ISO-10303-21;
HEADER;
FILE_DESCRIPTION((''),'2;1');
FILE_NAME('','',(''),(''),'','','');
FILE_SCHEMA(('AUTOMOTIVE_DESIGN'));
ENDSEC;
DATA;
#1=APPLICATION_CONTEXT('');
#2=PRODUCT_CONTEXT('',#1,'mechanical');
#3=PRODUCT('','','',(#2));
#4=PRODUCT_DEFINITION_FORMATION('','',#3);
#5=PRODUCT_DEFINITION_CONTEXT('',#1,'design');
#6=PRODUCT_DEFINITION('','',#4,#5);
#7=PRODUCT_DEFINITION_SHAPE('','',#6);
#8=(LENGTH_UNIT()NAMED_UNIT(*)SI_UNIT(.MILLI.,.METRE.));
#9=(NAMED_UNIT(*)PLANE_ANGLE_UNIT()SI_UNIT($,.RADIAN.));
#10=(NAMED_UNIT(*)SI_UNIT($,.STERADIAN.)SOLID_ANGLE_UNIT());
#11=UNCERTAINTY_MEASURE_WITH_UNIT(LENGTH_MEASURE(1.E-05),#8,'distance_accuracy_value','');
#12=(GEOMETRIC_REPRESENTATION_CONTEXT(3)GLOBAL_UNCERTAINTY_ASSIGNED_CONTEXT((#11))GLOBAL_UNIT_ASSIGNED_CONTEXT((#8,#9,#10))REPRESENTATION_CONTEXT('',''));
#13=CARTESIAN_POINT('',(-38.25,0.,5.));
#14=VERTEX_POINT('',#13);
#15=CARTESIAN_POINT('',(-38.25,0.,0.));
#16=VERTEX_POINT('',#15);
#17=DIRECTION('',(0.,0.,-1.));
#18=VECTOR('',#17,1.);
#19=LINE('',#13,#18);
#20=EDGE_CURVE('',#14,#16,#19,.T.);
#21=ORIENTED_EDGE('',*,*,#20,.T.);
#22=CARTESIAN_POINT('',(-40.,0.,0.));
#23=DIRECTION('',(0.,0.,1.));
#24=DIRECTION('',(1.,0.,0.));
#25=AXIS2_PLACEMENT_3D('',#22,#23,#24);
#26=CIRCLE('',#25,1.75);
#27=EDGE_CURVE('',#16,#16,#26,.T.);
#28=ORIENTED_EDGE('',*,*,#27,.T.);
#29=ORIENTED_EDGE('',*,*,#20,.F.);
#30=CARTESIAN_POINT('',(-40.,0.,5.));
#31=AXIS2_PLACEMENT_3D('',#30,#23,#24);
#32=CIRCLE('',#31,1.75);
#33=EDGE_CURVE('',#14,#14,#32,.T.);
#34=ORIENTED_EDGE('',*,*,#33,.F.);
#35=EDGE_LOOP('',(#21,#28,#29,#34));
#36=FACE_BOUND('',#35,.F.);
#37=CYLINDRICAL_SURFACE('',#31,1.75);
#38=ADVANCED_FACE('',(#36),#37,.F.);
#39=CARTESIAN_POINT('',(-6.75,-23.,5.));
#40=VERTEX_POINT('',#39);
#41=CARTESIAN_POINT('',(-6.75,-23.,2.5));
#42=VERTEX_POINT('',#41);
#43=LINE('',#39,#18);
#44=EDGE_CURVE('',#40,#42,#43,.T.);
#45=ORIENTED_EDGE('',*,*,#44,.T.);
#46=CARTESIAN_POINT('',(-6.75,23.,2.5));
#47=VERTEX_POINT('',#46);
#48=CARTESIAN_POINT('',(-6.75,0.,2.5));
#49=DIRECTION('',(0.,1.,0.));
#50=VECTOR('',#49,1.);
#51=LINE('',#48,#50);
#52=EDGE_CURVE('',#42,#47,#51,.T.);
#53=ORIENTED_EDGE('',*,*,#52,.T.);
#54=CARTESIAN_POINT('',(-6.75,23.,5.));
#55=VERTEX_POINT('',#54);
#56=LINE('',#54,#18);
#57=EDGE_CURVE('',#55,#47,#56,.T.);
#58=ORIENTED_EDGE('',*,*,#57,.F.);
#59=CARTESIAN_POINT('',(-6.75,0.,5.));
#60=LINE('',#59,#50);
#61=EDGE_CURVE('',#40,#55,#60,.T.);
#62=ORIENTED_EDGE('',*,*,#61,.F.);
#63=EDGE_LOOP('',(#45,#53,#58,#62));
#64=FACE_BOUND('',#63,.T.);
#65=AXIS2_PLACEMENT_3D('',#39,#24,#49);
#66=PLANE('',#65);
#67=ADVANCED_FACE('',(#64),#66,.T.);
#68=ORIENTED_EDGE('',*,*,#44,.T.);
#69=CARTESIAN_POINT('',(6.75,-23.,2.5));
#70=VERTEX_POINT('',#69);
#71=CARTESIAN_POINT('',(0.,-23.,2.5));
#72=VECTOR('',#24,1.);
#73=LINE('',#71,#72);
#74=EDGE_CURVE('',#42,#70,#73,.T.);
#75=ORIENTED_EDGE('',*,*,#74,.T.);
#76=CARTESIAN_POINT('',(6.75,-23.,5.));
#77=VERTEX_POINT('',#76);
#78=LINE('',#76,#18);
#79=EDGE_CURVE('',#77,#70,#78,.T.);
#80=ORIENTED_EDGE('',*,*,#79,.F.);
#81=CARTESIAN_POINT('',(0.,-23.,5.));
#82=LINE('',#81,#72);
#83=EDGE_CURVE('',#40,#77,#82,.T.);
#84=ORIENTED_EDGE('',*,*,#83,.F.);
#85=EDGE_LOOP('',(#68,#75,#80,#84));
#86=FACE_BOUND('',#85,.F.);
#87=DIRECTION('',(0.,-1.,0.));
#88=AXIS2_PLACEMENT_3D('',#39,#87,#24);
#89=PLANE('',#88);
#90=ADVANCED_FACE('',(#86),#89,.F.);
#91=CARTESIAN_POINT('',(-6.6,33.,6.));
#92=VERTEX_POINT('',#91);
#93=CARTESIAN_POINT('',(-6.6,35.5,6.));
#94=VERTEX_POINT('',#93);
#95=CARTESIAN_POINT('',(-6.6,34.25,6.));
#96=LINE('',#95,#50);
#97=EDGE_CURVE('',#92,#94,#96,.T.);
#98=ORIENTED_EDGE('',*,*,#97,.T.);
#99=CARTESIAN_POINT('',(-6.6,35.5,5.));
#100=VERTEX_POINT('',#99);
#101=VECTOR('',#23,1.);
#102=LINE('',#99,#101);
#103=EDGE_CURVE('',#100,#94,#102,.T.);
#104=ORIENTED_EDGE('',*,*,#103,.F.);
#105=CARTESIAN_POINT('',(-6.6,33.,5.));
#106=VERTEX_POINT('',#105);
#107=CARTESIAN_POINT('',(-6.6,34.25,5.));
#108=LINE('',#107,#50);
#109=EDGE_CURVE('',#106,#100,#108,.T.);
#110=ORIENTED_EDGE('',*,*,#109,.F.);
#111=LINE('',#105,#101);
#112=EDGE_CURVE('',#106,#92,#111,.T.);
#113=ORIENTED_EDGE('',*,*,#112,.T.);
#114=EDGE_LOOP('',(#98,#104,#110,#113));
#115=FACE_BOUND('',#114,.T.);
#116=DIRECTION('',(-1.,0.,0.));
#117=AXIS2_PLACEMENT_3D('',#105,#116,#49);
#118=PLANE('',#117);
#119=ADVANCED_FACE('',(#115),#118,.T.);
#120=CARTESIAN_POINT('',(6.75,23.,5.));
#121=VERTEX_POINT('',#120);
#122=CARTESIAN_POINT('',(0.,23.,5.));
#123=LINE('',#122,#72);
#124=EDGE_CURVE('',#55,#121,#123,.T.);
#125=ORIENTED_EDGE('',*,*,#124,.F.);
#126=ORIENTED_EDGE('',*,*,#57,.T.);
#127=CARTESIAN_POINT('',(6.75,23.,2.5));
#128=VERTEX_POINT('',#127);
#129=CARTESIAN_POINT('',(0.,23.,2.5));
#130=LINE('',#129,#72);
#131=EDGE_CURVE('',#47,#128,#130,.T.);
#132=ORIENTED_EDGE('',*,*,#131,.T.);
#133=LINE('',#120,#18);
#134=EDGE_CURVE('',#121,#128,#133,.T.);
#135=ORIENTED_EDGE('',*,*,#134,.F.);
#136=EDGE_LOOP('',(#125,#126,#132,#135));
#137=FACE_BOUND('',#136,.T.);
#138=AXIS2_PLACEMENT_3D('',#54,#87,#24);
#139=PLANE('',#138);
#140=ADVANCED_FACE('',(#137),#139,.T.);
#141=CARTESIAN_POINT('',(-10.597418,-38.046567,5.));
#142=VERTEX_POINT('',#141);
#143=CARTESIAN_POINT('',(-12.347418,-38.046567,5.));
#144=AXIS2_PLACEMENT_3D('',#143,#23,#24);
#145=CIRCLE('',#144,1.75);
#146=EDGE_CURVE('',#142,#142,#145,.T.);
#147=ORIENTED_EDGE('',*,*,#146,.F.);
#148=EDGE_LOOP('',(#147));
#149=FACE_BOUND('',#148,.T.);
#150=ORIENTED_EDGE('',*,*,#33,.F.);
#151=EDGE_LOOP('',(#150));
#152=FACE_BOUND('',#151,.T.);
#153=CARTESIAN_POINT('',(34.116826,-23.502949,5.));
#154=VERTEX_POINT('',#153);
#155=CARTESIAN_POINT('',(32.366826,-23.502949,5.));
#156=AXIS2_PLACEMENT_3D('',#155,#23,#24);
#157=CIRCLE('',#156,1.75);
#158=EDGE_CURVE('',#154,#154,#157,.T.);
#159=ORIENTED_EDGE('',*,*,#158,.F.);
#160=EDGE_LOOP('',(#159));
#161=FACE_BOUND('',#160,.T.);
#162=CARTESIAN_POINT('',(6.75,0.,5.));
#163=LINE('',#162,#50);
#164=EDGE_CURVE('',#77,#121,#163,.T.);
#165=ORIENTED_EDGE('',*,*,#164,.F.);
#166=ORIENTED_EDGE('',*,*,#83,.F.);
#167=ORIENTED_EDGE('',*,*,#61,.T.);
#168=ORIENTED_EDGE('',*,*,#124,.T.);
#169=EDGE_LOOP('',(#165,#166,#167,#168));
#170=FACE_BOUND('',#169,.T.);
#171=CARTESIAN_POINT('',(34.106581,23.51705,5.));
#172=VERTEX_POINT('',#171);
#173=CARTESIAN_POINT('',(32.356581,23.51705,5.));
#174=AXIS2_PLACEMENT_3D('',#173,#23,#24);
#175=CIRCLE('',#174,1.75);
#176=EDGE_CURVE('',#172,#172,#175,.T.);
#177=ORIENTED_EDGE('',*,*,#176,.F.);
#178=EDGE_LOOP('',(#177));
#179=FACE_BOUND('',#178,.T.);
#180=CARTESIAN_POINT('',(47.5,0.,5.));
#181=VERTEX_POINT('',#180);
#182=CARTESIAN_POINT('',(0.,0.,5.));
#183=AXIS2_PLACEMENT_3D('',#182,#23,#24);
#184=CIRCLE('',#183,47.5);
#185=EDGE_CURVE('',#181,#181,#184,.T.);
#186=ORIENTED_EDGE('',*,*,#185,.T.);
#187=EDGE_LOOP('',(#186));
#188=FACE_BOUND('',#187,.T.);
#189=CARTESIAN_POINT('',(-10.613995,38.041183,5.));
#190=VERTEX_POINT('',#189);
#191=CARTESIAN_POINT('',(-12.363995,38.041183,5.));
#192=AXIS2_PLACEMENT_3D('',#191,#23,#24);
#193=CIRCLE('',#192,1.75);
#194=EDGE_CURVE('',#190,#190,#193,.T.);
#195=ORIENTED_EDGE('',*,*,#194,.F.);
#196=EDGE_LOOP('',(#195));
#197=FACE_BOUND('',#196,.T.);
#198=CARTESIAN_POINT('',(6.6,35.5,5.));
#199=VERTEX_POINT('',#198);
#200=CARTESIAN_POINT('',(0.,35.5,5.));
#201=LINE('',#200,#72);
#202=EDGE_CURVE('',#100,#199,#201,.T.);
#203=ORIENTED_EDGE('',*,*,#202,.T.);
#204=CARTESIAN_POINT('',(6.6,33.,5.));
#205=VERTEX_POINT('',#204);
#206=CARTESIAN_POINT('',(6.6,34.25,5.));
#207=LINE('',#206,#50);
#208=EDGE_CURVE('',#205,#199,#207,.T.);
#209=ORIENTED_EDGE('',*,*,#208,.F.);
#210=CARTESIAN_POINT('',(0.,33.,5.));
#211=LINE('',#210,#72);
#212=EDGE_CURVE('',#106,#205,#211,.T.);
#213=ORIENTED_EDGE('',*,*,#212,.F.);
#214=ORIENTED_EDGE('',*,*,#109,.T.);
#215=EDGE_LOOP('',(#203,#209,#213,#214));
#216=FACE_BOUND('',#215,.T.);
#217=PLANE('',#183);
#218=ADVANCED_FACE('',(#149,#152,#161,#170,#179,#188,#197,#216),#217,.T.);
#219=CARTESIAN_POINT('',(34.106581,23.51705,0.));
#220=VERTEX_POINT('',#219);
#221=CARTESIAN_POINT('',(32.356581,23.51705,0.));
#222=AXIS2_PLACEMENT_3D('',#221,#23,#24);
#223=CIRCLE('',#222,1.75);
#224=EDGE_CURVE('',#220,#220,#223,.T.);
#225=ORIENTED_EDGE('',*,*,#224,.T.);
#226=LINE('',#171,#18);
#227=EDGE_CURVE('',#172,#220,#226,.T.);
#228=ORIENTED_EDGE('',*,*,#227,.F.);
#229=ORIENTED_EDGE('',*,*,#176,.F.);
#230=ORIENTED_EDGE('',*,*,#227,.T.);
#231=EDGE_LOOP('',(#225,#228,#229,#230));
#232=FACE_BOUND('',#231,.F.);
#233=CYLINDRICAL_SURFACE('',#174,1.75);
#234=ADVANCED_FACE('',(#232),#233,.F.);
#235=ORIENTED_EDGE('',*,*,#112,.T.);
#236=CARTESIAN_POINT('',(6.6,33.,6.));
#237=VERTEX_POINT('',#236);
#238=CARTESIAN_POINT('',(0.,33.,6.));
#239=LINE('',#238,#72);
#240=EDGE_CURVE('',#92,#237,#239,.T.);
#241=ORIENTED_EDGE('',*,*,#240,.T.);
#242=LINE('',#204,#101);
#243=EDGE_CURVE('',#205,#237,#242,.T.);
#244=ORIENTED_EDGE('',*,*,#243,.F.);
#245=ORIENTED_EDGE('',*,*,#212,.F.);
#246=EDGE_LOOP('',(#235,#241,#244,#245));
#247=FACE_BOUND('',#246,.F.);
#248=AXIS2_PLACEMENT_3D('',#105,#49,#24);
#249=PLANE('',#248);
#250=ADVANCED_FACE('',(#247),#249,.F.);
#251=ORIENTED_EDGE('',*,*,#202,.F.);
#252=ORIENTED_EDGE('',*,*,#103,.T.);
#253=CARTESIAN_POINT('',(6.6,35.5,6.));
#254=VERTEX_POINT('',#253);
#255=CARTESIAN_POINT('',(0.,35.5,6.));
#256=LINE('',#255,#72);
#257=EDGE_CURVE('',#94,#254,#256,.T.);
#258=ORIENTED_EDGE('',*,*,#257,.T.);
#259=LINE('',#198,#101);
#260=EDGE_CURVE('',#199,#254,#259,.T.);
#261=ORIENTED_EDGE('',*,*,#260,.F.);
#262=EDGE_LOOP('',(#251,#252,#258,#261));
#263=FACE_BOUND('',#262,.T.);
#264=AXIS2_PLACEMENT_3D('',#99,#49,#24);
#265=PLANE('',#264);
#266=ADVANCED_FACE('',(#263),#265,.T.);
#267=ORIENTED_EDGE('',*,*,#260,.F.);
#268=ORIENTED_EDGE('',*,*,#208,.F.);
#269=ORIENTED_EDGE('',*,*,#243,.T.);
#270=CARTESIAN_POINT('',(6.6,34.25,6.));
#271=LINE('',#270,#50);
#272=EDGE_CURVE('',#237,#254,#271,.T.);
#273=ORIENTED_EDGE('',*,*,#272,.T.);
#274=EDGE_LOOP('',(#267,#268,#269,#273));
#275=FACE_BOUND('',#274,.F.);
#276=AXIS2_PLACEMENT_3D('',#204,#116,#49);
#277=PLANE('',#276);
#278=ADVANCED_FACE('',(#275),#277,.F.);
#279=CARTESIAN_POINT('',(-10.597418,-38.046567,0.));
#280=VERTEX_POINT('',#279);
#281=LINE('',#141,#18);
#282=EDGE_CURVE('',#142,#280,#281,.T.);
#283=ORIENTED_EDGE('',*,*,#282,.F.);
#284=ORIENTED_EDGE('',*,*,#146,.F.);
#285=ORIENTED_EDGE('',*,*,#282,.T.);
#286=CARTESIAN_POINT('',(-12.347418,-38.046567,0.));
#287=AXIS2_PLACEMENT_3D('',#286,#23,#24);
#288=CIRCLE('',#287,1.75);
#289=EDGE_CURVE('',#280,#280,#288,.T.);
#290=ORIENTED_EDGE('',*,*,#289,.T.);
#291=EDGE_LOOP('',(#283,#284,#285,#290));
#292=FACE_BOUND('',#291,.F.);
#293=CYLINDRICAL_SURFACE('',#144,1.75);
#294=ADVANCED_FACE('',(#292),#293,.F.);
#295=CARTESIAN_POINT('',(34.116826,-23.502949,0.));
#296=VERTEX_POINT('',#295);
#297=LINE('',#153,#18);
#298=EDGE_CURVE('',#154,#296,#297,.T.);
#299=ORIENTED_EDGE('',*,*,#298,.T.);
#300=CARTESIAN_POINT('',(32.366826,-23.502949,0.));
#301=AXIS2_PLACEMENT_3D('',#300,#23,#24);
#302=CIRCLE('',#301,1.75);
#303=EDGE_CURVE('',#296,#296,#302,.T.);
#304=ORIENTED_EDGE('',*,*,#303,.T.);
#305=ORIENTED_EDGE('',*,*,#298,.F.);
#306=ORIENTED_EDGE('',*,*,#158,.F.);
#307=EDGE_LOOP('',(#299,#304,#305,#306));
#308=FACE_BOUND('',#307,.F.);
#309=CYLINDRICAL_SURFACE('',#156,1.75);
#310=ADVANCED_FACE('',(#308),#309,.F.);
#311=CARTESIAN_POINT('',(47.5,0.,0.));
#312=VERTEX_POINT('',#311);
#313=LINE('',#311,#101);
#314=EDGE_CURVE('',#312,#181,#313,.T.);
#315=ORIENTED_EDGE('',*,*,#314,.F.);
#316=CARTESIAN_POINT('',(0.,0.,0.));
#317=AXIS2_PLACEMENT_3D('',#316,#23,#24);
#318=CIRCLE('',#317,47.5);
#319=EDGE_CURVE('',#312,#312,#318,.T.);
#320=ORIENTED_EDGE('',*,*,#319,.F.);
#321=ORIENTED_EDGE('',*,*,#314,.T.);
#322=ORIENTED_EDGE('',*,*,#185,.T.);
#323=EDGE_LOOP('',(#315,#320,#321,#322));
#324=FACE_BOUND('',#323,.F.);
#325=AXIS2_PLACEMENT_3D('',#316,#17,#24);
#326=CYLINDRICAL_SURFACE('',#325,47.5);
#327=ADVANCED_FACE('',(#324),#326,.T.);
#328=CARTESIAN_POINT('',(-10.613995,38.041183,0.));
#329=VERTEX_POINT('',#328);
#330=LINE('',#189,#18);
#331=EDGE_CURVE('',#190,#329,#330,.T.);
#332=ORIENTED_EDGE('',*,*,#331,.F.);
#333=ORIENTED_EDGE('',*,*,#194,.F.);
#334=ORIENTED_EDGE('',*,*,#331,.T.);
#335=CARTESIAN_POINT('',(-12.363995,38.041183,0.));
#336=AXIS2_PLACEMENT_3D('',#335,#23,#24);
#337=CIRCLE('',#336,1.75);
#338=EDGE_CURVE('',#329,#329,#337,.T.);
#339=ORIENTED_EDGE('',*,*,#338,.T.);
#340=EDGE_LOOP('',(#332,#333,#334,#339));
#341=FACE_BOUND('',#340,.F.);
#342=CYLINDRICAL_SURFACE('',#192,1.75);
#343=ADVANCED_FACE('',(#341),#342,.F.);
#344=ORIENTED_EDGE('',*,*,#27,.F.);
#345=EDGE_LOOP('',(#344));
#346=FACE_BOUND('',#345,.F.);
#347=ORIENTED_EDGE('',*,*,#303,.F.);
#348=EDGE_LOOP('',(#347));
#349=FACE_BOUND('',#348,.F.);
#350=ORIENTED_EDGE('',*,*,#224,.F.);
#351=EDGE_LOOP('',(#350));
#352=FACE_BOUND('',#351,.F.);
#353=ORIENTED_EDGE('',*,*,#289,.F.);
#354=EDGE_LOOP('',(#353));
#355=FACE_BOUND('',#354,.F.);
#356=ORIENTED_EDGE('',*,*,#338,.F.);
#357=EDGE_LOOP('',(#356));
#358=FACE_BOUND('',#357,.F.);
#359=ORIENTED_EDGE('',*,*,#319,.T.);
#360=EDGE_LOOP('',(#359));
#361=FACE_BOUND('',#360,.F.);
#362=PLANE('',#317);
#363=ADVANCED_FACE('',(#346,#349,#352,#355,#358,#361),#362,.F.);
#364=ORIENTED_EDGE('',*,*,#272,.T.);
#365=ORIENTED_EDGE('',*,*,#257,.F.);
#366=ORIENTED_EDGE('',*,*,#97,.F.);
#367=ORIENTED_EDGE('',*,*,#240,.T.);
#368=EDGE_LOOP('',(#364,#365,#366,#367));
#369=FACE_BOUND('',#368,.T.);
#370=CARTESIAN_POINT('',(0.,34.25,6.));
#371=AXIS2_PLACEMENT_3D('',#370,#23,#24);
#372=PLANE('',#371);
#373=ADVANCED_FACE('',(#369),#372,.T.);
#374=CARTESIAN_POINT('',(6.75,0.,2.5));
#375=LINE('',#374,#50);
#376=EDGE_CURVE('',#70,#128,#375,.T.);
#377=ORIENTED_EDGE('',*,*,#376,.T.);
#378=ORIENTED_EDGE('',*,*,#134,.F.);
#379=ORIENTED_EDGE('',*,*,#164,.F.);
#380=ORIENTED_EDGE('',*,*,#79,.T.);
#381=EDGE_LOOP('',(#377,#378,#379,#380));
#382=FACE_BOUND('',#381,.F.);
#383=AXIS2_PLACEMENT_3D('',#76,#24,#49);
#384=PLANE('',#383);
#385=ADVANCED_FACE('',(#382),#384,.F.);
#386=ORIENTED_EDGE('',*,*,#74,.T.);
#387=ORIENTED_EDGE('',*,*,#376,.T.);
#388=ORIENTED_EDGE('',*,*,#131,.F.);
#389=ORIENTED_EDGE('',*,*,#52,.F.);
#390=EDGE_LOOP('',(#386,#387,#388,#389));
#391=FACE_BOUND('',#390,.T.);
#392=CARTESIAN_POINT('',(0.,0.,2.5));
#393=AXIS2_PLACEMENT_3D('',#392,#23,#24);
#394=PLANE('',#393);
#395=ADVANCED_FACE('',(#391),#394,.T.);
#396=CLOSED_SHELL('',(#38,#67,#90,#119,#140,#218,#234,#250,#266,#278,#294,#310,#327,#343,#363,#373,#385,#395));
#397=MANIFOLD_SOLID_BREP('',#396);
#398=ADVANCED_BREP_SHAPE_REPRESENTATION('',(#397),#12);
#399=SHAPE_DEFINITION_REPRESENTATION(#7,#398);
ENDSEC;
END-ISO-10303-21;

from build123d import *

# Parameters (mm, degrees)
SKETCH024_R     = 47.5
PAD007_DEPTH    = 5
SKETCH025_W     = 13.5
SKETCH025_H     = 46
POCKET014_DEPTH = 2.5
SKETCH026_R     = 1.75
POCKET015_DEPTH = 5
SKETCH023_W     = 13.2
SKETCH023_H     = 2.5
PAD008_DEPTH    = 1


with BuildPart() as part:
    # Sketch024 → Pad007 (new body)
    with BuildSketch(Plane.XY):
        Circle(SKETCH024_R)
    extrude(amount=PAD007_DEPTH)

    # Sketch025 (on Face3 of Pad007) → Pocket014 (cut)
    with BuildSketch(Plane.XY.offset(5)):
        Rectangle(SKETCH025_W, SKETCH025_H)
    extrude(amount=-POCKET014_DEPTH, mode=Mode.SUBTRACT)

    # Sketch026 (on Face3 of Pocket014) → Pocket015 (cut)
    with BuildSketch(Plane.XY.offset(5)):
        with Locations((-40, 0)):
            Circle(SKETCH026_R)
        with Locations((-12.363995, 38.041183)):
            Circle(SKETCH026_R)
        with Locations((32.356581, 23.51705)):
            Circle(SKETCH026_R)
        with Locations((32.366826, -23.502949)):
            Circle(SKETCH026_R)
        with Locations((-12.347418, -38.046567)):
            Circle(SKETCH026_R)
    extrude(amount=-POCKET015_DEPTH, mode=Mode.SUBTRACT)

    # Sketch023 (on Face3 of Pocket015) → Pad008 (join)
    with BuildSketch(Plane.XY.offset(5)):
        with Locations((0, 34.25)):
            Rectangle(SKETCH023_W, SKETCH023_H)
    extrude(amount=PAD008_DEPTH)


solid = part.part
